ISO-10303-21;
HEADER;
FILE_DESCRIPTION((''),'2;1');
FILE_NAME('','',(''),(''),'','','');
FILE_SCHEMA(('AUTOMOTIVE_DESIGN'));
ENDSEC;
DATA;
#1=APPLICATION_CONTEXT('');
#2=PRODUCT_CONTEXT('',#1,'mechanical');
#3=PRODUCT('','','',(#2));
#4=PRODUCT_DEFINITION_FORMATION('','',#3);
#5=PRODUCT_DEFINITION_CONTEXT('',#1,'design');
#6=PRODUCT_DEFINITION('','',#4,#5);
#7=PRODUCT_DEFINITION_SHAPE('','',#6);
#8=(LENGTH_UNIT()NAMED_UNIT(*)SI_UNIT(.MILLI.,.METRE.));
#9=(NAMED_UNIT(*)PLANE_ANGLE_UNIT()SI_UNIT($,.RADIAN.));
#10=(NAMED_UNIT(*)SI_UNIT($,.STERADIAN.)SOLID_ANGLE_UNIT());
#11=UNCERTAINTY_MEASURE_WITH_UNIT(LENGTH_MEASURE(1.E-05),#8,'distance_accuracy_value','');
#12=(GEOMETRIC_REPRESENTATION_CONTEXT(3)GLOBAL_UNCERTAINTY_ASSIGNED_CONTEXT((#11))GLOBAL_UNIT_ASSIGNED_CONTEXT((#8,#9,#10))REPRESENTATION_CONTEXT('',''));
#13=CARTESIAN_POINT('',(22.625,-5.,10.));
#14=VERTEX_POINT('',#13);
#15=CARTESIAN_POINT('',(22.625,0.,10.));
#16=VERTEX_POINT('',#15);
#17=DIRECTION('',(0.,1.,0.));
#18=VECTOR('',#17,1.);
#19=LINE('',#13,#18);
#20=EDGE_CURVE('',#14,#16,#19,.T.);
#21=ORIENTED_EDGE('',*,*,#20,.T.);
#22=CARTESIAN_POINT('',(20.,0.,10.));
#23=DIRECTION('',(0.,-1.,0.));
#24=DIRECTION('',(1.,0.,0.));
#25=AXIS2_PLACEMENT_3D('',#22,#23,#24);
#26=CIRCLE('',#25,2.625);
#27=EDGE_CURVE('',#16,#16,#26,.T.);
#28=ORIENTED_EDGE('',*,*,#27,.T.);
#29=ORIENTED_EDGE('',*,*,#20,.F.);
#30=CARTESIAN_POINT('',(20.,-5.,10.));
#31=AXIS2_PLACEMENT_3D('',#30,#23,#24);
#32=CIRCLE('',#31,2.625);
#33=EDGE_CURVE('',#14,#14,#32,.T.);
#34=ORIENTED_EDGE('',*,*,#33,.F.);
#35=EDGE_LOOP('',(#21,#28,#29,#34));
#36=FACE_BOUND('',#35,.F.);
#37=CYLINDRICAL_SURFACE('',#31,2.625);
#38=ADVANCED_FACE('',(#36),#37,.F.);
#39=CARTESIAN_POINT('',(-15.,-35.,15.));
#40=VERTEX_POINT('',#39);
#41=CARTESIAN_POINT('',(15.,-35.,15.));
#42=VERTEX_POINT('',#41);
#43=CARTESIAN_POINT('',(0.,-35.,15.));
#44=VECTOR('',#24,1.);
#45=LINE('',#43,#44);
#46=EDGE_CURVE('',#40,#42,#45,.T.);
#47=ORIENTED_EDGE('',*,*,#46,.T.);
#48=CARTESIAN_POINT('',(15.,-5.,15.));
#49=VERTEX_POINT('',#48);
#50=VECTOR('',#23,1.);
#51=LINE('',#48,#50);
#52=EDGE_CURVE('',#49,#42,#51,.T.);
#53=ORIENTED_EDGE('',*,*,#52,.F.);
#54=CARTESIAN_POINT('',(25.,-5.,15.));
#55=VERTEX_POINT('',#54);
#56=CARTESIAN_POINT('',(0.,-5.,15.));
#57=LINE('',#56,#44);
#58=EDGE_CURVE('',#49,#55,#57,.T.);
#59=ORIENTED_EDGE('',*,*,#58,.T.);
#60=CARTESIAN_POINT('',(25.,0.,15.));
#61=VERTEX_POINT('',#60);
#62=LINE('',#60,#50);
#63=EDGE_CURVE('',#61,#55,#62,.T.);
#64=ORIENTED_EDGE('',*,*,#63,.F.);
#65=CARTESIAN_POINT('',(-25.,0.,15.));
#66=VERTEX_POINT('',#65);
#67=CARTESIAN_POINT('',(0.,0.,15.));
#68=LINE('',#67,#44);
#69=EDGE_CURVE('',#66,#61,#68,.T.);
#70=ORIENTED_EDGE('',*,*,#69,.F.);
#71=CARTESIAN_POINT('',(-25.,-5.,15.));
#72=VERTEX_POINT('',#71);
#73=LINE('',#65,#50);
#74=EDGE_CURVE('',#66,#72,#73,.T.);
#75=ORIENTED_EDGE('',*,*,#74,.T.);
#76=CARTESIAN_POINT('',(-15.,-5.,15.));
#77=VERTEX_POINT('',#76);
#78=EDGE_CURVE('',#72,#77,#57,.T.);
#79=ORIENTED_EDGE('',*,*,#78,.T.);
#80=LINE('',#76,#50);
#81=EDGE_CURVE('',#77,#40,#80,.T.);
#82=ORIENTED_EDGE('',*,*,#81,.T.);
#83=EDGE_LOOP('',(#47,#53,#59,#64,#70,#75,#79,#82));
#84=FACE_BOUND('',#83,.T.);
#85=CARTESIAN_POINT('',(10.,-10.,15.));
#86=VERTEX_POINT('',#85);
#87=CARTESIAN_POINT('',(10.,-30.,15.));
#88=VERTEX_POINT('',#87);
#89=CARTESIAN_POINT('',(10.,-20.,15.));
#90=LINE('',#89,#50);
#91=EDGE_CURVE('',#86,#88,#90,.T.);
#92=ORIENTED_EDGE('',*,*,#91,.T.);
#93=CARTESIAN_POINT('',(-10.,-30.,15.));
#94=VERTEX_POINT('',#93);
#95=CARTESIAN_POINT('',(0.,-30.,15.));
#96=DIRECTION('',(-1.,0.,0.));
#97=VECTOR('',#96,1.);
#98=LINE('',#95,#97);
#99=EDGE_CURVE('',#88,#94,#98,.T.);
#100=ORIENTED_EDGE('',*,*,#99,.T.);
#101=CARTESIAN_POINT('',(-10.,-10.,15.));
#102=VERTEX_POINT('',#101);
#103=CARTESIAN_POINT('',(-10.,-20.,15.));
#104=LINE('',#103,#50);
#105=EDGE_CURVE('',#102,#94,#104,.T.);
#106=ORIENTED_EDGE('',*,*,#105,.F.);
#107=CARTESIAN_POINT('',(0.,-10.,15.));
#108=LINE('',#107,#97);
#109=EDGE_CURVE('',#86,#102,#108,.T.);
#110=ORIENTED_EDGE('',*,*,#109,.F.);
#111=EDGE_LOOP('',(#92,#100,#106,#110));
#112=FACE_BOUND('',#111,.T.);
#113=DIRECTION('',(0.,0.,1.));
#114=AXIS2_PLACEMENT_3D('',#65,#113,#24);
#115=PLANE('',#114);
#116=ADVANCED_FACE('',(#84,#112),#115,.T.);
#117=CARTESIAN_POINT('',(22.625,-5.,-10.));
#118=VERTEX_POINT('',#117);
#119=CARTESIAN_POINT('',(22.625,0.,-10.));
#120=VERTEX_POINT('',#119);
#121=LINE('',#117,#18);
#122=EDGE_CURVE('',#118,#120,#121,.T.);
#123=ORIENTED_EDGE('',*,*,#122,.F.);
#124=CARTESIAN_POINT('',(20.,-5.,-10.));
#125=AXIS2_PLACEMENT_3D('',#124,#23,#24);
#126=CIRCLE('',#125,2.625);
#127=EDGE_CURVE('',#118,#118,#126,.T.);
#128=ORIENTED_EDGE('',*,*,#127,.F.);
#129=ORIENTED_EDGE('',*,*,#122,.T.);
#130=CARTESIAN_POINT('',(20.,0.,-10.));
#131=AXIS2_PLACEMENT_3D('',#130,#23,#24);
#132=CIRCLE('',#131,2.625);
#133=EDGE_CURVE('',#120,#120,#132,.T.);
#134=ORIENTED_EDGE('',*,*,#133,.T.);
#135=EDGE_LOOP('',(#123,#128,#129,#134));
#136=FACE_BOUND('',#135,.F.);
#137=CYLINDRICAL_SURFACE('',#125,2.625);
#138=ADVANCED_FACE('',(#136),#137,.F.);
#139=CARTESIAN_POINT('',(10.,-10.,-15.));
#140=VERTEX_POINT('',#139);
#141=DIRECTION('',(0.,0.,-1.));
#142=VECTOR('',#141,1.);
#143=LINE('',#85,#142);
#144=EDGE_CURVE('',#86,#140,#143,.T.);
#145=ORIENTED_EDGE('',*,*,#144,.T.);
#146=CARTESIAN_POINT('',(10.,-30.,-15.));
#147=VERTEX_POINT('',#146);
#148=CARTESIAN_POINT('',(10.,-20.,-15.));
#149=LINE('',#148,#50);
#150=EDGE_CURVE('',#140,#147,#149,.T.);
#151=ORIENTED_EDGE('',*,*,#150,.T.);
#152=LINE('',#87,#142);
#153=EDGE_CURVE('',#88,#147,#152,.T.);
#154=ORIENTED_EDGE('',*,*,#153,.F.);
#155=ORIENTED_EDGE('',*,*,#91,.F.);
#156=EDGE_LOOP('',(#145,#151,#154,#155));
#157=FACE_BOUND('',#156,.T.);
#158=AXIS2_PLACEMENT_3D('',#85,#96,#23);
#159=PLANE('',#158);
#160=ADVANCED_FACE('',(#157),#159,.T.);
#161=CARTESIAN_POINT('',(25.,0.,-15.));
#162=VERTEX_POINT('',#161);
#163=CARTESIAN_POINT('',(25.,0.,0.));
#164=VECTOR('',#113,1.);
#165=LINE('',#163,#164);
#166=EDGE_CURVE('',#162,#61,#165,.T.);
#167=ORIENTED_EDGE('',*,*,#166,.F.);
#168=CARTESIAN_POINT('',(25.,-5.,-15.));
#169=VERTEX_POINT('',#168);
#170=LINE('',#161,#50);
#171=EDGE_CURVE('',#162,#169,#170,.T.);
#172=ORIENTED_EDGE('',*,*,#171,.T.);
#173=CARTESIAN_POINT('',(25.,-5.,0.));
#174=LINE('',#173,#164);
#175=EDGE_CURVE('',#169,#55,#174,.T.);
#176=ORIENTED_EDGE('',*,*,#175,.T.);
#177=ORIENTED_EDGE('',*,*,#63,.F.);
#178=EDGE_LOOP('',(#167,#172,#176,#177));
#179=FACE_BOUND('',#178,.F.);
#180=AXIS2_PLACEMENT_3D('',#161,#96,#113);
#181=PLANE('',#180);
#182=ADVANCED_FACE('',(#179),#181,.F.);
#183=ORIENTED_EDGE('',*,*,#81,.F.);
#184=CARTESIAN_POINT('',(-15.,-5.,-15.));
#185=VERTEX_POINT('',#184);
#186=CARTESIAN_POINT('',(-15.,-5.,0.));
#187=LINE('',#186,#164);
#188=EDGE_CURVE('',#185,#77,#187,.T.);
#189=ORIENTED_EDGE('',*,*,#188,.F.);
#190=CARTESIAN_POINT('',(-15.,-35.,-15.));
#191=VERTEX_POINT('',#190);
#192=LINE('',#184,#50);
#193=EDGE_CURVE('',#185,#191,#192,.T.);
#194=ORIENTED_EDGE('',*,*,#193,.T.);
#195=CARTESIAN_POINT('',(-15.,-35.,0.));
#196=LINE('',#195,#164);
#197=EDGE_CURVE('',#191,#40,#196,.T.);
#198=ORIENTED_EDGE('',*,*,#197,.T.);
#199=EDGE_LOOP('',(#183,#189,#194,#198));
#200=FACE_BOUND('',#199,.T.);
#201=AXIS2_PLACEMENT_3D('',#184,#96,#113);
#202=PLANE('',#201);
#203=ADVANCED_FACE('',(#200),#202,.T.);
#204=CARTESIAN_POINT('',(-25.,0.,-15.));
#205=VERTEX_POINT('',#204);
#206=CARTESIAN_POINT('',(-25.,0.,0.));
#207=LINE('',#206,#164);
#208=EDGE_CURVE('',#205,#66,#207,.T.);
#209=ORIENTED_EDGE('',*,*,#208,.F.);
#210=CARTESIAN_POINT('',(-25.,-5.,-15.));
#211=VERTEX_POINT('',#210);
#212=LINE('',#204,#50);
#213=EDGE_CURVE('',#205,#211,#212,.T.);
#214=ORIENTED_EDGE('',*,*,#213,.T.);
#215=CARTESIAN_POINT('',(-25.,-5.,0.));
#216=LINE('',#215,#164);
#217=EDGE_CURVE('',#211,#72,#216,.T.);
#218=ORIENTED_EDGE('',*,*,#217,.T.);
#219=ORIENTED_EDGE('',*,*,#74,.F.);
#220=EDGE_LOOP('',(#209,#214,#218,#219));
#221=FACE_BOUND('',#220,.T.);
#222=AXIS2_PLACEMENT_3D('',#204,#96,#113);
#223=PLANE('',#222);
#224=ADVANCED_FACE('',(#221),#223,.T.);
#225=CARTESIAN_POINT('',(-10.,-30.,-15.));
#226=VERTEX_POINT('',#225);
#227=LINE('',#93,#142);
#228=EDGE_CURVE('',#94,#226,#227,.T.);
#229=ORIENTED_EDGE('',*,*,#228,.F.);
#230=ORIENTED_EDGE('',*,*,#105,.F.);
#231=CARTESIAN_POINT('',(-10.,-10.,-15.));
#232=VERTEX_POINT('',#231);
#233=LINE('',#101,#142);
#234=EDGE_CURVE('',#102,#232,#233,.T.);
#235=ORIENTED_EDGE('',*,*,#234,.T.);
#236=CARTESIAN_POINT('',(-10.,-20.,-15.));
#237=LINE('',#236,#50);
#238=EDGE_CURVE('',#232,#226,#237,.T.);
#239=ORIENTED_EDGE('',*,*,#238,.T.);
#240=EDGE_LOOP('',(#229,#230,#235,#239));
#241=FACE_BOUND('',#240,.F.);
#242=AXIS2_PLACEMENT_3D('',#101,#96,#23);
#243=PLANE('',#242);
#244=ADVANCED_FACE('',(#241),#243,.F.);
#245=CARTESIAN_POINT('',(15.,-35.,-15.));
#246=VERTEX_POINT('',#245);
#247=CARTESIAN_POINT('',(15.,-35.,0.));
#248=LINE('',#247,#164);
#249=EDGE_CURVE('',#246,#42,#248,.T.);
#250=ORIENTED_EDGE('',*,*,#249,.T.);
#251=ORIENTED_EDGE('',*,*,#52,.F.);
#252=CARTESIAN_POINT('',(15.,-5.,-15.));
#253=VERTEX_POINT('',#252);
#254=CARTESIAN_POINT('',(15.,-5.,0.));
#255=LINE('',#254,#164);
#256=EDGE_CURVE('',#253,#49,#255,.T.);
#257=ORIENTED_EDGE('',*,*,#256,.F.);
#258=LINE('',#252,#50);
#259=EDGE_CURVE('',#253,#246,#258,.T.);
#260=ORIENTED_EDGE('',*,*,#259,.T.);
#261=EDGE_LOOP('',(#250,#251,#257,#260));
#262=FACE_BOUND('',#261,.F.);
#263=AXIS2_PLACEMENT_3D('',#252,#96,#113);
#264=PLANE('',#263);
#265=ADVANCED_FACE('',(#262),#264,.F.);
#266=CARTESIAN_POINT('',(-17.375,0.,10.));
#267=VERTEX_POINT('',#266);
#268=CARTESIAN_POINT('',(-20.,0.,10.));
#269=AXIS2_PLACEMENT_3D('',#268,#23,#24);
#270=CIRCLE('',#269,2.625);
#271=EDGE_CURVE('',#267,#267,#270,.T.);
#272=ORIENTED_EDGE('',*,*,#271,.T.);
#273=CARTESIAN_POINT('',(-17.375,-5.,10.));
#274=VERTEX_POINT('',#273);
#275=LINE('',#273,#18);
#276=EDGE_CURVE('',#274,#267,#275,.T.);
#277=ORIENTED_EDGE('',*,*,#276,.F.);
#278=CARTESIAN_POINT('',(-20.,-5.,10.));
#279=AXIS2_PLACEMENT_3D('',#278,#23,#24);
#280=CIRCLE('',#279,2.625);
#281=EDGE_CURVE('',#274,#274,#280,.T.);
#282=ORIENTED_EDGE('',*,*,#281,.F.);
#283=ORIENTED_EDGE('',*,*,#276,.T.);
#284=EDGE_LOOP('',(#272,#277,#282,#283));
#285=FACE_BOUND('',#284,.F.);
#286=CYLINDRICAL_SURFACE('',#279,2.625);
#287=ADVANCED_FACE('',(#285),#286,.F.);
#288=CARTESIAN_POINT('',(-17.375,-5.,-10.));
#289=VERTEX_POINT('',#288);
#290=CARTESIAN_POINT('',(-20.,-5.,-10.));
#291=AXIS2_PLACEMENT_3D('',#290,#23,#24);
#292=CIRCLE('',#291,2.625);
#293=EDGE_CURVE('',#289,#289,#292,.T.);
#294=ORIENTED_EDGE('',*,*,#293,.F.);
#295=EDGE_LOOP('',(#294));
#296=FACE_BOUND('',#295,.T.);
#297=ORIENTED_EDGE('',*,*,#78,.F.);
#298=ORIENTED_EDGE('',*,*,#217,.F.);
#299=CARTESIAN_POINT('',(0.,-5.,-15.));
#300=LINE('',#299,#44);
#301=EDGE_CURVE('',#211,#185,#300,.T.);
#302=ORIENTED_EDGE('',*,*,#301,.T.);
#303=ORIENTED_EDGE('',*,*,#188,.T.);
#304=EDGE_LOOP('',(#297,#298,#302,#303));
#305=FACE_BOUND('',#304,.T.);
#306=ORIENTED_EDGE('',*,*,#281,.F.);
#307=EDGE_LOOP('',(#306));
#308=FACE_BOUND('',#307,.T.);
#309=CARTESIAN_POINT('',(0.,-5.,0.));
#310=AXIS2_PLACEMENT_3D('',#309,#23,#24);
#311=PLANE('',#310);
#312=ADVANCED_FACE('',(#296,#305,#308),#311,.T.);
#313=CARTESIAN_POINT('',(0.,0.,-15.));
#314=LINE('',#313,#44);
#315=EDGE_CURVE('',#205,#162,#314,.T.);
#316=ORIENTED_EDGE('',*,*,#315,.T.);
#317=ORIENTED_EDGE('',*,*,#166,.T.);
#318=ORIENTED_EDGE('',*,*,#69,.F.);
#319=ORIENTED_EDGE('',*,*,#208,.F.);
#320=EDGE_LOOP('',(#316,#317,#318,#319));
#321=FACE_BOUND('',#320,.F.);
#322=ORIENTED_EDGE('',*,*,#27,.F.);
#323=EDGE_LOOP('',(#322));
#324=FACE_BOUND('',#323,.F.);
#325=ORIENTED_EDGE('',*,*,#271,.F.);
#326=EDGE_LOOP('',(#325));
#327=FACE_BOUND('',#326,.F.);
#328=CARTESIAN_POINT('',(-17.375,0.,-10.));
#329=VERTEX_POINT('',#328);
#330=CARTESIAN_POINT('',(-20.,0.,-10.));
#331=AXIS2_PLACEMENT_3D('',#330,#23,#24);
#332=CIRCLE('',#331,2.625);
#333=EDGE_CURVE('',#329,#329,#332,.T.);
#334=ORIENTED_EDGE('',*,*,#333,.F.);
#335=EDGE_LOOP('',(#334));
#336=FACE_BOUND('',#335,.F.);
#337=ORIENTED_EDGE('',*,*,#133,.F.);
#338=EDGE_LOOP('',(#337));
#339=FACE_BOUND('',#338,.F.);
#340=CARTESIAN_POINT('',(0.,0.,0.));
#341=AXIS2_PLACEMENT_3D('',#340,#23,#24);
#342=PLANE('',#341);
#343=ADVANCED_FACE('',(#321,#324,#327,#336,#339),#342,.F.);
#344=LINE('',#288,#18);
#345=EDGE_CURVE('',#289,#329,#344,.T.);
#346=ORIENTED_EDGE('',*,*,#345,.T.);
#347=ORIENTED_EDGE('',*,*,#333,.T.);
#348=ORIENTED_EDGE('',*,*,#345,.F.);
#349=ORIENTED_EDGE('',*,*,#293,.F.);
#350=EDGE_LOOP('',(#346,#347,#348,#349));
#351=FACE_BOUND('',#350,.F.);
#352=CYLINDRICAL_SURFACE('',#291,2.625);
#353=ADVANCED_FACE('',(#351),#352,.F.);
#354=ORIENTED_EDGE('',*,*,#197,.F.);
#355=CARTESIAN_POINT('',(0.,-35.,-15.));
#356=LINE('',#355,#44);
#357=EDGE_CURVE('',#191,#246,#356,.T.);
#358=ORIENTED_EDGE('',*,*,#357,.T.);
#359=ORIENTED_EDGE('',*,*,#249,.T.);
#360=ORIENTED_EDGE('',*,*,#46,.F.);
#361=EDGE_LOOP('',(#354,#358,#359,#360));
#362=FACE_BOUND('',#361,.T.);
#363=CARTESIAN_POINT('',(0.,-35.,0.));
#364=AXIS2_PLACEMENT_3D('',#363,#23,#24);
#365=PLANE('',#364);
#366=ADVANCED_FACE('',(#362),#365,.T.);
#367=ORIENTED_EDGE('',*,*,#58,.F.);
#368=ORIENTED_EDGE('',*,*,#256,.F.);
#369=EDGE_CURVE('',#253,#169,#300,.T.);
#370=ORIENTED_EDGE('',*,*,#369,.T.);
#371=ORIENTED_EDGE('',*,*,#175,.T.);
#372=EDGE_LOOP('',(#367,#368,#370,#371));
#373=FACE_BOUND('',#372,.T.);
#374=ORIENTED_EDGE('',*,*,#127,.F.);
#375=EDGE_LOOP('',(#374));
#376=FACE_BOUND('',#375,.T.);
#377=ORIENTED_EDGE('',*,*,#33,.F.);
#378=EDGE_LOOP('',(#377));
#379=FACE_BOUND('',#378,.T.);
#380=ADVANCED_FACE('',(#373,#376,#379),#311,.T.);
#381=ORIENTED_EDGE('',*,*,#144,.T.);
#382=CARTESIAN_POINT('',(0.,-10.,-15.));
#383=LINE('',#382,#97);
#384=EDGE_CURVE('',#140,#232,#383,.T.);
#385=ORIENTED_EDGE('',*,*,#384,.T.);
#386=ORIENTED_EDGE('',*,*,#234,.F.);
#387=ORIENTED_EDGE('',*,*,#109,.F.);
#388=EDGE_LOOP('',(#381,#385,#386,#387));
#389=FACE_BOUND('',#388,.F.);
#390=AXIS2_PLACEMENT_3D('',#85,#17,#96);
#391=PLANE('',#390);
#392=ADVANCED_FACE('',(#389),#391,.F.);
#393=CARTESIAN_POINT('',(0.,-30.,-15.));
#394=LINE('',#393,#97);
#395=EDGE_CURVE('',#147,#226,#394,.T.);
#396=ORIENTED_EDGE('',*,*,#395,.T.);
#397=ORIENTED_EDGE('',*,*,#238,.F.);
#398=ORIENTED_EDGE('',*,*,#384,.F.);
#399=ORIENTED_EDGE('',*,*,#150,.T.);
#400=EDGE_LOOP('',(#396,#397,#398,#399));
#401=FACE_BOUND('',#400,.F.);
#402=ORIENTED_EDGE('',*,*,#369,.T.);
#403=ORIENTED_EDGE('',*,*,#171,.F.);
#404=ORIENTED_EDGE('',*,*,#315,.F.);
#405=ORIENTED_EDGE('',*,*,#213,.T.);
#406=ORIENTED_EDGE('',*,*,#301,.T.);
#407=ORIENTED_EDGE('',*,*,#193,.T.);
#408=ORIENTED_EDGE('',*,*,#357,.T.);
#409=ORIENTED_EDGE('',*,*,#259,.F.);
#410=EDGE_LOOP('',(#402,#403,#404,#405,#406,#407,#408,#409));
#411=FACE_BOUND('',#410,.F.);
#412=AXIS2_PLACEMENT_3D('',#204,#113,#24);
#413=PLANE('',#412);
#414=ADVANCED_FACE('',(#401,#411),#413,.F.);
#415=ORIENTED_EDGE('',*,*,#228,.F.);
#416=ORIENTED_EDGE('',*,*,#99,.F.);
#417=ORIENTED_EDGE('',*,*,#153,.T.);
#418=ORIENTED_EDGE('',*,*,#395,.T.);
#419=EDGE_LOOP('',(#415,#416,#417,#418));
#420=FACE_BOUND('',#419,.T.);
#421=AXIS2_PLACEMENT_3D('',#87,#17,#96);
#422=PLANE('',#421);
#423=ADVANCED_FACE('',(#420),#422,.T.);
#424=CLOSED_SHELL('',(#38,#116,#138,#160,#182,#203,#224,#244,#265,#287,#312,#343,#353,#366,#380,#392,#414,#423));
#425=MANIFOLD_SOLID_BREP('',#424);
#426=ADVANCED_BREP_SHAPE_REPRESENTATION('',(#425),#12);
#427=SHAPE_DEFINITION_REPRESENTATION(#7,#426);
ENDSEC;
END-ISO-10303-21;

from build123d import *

# Parameters (mm, degrees)
SKETCH_W        = 50
SKETCH_H        = 30
PAD_DEPTH       = 5
SKETCH001_R     = 2.625
POCKET_DEPTH    = 5
SKETCH002_W     = 30
SKETCH002_H     = 30
PAD001_DEPTH    = 30
SKETCH003_W     = 20
SKETCH003_H     = 20
POCKET001_DEPTH = 30


with BuildPart() as part:
    # Sketch → Pad (new body)
    with BuildSketch(Plane.XZ):
        Rectangle(SKETCH_W, SKETCH_H)
    extrude(amount=PAD_DEPTH)

    # Sketch001 (on Face6 of Pad) → Pocket (cut)
    with BuildSketch(Plane.XZ.offset(5)):
        with Locations((-20, 10)):
            Circle(SKETCH001_R)
        with Locations((20, 10)):
            Circle(SKETCH001_R)
        with Locations((20, -10)):
            Circle(SKETCH001_R)
        with Locations((-20, -10)):
            Circle(SKETCH001_R)
    extrude(amount=-POCKET_DEPTH, mode=Mode.SUBTRACT)

    # Sketch002 (on Face5 of Pocket) → Pad001 (join)
    with BuildSketch(Plane.XZ.offset(5)):
        Rectangle(SKETCH002_W, SKETCH002_H)
    extrude(amount=PAD001_DEPTH)

    # Sketch003 (on Face9 of Pad001) → Pocket001 (cut)
    with BuildSketch(Plane(origin=(0, 0, 15), x_dir=(-1, 0, 0), z_dir=(0, 0, 1))):
        with Locations((0, 20)):
            Rectangle(SKETCH003_W, SKETCH003_H)
    extrude(amount=-POCKET001_DEPTH, mode=Mode.SUBTRACT)


solid = part.part
